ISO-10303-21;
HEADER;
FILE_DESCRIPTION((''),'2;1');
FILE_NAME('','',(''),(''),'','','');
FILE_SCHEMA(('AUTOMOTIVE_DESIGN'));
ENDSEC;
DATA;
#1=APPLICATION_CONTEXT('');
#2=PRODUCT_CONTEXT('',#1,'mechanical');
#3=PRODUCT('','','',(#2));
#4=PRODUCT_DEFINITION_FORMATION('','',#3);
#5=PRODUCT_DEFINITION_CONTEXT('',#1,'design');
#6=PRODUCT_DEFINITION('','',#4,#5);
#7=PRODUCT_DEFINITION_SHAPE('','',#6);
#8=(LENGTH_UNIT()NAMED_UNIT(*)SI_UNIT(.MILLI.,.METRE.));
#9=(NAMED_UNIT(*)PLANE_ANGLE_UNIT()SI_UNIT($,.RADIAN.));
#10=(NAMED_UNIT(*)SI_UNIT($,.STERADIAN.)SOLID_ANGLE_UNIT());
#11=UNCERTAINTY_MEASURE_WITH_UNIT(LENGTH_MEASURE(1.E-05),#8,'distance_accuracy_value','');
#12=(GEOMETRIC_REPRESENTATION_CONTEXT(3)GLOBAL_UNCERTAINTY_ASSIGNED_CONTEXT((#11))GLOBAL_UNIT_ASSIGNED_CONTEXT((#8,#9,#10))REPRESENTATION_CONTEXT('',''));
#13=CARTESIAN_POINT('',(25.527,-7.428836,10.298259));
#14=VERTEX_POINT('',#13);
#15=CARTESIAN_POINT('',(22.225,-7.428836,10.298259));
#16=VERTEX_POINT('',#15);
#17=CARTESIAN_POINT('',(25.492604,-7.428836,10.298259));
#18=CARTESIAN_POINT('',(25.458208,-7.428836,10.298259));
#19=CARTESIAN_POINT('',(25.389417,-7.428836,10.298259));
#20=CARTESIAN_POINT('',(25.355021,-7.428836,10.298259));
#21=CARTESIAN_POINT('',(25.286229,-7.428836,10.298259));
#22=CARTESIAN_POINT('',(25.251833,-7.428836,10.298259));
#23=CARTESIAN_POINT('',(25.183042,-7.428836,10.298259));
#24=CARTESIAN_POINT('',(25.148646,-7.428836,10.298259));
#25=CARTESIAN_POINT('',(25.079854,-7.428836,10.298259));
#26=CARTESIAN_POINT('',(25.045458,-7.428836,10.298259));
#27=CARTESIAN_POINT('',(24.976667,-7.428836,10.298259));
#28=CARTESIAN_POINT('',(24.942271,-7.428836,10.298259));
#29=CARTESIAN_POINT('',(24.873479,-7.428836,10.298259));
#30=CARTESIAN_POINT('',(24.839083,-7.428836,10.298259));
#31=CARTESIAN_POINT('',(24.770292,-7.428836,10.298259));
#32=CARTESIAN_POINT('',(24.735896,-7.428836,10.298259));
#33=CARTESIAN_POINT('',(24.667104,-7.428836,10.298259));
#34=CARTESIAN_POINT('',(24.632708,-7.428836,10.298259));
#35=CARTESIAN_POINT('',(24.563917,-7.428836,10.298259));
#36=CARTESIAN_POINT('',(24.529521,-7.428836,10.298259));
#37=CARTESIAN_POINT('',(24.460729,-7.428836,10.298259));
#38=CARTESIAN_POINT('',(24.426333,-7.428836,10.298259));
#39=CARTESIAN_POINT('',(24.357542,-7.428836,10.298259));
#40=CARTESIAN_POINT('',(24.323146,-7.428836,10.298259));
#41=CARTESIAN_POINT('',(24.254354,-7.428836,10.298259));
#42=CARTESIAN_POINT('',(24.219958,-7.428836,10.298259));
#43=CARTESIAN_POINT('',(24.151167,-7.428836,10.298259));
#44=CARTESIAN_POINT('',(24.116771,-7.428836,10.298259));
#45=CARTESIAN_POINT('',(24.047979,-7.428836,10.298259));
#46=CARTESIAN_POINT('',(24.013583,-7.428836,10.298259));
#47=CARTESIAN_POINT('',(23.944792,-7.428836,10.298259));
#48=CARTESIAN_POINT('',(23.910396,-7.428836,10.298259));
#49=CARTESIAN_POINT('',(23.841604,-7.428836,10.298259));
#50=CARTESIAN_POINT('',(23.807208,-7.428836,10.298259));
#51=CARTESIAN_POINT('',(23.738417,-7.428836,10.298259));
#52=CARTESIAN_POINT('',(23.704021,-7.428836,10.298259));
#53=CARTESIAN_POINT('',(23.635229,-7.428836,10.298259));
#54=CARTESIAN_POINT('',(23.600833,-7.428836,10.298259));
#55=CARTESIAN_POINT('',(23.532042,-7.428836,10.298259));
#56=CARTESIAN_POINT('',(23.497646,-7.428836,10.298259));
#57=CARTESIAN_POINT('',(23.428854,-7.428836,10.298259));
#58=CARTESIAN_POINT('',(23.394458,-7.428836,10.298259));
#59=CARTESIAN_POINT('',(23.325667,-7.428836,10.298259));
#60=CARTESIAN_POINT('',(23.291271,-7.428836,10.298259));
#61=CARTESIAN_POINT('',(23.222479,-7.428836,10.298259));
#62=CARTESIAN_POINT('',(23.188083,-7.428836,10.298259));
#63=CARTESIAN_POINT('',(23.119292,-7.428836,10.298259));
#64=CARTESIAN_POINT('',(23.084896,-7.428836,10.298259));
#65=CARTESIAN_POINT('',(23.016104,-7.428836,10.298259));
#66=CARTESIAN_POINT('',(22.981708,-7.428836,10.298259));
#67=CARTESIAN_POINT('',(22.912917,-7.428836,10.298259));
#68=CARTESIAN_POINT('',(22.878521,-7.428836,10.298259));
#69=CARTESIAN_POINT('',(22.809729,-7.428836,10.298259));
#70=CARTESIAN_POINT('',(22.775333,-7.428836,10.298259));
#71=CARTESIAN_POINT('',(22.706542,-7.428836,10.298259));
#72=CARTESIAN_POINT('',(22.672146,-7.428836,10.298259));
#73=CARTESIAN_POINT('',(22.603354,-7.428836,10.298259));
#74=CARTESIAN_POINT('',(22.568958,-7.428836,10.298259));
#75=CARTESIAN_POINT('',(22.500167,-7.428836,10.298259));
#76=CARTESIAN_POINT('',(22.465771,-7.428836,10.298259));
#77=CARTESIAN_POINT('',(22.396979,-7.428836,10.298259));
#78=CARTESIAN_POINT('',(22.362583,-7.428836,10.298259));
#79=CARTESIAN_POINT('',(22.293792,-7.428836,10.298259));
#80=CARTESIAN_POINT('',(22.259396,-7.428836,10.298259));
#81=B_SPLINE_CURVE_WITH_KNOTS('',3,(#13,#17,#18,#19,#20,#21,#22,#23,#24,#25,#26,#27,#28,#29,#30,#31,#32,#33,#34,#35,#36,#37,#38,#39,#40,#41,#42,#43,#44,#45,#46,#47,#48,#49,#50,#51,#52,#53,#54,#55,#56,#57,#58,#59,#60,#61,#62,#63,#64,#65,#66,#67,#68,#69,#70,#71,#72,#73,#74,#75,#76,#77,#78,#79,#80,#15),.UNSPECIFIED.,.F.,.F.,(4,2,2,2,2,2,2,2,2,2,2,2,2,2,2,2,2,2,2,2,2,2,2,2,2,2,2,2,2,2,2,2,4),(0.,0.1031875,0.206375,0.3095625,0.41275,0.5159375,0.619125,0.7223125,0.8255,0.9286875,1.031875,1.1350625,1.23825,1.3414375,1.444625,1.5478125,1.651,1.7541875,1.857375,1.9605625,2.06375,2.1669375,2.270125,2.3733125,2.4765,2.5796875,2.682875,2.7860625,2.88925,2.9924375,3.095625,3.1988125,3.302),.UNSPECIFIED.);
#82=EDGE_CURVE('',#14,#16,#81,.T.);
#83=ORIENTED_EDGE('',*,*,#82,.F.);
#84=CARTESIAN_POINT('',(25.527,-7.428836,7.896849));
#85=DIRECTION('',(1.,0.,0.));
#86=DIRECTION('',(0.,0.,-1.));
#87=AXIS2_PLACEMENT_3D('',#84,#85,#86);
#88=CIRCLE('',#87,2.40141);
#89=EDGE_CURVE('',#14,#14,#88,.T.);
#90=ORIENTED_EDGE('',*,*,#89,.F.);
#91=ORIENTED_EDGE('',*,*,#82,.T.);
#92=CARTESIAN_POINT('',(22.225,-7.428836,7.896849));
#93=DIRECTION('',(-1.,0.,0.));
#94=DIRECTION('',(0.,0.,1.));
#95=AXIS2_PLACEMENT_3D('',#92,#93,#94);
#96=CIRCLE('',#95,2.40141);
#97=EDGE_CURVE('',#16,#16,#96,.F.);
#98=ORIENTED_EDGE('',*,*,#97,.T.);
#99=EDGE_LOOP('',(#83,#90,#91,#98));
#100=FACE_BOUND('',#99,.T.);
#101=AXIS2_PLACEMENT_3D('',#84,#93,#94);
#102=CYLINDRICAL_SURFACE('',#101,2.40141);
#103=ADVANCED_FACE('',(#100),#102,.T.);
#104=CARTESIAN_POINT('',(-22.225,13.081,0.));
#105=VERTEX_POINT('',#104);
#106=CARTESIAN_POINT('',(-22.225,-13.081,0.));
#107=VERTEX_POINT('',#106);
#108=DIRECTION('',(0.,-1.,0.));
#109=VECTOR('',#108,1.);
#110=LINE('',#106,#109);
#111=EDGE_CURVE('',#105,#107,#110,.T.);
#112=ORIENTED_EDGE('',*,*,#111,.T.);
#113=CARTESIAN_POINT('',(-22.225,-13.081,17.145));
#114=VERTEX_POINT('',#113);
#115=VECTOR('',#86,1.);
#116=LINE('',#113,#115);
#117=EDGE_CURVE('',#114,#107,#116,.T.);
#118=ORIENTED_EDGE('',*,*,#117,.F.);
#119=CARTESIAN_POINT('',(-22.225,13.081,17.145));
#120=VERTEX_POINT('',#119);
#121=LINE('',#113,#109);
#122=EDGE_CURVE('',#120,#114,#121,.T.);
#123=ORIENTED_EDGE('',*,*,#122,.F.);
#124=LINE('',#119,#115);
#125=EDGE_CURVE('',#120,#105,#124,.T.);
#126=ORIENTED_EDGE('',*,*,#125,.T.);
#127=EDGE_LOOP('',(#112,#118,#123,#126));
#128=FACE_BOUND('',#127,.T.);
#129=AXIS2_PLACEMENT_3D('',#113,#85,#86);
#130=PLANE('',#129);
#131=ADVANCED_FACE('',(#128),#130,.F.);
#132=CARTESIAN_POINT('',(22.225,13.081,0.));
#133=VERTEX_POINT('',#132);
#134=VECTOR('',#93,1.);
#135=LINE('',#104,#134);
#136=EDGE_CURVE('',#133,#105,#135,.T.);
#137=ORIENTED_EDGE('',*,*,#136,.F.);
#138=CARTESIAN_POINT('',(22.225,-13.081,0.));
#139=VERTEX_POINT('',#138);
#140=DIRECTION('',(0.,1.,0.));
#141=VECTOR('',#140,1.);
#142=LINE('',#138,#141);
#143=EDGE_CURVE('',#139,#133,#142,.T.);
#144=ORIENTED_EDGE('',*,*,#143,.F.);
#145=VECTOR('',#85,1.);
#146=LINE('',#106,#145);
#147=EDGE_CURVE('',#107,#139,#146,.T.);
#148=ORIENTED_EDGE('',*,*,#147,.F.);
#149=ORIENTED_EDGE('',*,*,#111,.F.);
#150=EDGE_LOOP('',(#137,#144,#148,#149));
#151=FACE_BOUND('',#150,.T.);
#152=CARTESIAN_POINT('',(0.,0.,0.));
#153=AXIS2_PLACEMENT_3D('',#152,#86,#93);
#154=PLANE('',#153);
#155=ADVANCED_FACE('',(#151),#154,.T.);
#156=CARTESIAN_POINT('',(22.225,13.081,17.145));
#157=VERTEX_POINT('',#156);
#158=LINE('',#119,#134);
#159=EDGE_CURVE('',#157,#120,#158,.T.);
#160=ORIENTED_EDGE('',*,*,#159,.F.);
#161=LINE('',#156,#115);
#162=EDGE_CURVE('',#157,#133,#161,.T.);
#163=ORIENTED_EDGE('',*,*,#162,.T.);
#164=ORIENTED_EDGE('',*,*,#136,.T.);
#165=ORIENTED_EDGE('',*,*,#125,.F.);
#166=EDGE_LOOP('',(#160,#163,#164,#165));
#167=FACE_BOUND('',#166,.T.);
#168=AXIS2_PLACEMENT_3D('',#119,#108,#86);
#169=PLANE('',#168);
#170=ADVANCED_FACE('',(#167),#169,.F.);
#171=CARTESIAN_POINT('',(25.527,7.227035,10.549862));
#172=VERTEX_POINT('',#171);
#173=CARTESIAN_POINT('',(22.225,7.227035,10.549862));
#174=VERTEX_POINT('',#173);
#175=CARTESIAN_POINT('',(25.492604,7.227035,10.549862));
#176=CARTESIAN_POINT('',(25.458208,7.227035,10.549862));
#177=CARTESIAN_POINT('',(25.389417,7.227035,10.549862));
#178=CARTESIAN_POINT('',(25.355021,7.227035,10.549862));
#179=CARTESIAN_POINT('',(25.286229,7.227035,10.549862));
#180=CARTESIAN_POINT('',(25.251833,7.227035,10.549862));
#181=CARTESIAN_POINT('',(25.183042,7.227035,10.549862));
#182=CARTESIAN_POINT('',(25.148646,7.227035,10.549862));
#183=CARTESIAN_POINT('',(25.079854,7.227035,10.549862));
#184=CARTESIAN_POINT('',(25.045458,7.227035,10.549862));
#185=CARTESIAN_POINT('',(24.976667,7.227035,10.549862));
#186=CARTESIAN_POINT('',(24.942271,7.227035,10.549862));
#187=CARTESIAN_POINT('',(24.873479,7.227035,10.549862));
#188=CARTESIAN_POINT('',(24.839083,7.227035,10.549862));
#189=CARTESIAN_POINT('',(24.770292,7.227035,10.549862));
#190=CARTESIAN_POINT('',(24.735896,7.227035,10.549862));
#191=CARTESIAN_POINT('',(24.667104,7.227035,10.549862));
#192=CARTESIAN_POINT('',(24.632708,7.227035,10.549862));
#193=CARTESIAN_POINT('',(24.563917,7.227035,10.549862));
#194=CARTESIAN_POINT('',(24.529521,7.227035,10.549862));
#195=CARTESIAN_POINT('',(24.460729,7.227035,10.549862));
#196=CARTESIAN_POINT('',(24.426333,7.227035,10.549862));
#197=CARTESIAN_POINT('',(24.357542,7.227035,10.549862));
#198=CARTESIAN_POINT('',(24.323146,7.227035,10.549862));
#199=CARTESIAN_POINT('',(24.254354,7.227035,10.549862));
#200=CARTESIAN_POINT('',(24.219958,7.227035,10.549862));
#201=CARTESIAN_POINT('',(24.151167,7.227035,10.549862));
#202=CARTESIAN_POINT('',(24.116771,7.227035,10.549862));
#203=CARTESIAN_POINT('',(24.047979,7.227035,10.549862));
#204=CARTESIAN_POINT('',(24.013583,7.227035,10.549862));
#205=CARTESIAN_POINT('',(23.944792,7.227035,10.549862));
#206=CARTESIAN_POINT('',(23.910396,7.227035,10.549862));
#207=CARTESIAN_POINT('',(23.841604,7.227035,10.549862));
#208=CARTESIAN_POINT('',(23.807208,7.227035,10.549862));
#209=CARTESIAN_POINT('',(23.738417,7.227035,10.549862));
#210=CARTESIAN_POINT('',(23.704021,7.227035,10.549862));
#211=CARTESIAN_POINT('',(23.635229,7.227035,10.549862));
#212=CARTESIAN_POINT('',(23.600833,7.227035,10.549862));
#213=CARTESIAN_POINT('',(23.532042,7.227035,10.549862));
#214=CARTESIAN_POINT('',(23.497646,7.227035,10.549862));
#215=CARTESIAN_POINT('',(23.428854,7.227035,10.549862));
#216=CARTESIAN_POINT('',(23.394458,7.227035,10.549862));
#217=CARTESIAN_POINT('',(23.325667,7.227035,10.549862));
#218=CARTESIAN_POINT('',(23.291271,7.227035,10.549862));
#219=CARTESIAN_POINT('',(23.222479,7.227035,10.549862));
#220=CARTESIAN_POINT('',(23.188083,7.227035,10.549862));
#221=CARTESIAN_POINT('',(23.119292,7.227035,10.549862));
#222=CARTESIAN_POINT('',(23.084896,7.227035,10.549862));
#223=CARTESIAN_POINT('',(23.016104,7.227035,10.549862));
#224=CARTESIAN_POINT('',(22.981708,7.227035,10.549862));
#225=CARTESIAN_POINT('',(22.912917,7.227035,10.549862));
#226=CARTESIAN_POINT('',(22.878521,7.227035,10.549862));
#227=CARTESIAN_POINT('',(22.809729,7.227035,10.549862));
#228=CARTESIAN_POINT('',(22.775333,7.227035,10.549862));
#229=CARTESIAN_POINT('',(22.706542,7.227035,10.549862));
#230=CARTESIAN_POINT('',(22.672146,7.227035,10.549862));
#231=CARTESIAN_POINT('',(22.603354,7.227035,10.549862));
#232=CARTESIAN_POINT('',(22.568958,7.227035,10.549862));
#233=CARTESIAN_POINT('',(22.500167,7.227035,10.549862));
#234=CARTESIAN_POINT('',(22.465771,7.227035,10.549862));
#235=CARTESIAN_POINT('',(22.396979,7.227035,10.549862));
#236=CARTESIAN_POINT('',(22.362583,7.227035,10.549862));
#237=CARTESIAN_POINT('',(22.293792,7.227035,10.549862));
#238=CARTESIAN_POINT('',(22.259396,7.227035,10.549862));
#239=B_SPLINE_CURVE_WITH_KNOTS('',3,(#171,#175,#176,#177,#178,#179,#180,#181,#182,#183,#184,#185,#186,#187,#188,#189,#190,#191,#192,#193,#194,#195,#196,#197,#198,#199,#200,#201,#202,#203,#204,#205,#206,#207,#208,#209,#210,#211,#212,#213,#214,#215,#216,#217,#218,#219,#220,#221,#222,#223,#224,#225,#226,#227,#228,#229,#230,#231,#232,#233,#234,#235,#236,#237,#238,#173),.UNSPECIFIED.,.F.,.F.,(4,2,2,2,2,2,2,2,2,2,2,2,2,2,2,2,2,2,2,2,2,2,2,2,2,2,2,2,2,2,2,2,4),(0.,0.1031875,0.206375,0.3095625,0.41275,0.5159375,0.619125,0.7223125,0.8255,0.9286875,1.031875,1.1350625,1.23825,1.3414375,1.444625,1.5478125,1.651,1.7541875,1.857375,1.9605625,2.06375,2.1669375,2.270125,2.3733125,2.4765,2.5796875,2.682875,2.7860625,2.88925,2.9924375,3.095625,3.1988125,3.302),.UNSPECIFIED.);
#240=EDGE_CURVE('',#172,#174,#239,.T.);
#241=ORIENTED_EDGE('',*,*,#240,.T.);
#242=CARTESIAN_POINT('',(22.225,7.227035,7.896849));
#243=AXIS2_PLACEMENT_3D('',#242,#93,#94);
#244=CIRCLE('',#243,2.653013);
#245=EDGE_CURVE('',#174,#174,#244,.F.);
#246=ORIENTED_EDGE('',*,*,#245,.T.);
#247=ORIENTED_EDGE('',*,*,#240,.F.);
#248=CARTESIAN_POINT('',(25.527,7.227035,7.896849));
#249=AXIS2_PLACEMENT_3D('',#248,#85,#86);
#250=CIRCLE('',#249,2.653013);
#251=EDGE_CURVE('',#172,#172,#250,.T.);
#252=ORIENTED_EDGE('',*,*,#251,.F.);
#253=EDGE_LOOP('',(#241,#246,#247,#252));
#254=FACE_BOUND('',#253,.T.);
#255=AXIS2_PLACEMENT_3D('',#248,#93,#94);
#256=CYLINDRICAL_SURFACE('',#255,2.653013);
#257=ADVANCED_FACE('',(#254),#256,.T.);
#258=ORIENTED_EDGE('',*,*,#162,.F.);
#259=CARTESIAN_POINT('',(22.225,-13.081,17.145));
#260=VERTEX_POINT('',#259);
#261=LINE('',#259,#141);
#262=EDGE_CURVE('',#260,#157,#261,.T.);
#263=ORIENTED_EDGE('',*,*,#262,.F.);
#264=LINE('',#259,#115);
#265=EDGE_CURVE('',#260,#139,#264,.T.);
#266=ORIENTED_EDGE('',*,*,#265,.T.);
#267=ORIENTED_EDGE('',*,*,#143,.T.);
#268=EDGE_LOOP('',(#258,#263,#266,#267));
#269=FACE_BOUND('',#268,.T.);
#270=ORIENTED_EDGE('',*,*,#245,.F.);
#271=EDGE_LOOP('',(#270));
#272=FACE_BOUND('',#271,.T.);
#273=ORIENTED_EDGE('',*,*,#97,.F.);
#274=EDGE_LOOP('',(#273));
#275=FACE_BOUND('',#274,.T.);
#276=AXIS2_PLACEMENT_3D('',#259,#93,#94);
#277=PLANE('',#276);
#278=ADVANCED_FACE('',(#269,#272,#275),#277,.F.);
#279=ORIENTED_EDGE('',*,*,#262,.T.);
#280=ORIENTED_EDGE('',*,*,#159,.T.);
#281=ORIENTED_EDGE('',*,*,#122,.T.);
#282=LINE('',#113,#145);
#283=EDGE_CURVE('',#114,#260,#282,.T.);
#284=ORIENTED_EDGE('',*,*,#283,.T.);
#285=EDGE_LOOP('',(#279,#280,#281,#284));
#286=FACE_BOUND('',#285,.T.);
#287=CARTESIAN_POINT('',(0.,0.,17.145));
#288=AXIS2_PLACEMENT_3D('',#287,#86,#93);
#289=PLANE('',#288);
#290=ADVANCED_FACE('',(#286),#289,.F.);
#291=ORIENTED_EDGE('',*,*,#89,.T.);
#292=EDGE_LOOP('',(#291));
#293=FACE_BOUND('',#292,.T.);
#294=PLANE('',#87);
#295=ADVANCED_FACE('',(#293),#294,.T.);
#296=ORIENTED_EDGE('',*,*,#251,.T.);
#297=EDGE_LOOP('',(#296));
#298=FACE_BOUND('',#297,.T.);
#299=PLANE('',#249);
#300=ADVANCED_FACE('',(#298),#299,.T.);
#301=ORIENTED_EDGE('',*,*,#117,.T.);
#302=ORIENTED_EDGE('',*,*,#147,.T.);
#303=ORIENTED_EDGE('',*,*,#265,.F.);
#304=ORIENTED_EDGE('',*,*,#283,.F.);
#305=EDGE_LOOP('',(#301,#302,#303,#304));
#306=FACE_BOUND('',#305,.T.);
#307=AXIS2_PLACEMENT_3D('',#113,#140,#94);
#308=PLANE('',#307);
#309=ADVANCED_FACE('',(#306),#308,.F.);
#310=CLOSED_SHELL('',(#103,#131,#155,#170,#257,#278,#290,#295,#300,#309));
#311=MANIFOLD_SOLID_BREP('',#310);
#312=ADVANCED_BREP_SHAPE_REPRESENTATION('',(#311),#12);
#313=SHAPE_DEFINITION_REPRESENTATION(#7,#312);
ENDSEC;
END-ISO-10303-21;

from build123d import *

# Parameters (mm, degrees)
SKETCH1_W           = 44.45
SKETCH1_H           = 26.162
BOSS_EXTRUDE1_DEPTH = 17.145
SKETCH2_R           = 2.653013258
SKETCH2_R_2         = 2.40141023
BOSS_EXTRUDE2_DEPTH = 3.302


with BuildPart() as part:
    # Sketch1 → Boss-Extrude1 (new body)
    with BuildSketch(Plane.XY):
        Rectangle(SKETCH1_W, SKETCH1_H)
    extrude(amount=BOSS_EXTRUDE1_DEPTH)

    # Sketch2 → Boss-Extrude2 (add)
    with BuildSketch(Plane(origin=(22.225, 0, 0), x_dir=(0, 0, -1), z_dir=(1, 0, 0))):
        with Locations(Location((-7.896848557, 7.227034624, 0), (0, 0, 180))):
            Circle(SKETCH2_R)
        with Locations(Location((-7.896848557, -7.428836292, 0), (0, 0, 180))):
            Circle(SKETCH2_R_2)
    extrude(amount=BOSS_EXTRUDE2_DEPTH)


solid = part.part
